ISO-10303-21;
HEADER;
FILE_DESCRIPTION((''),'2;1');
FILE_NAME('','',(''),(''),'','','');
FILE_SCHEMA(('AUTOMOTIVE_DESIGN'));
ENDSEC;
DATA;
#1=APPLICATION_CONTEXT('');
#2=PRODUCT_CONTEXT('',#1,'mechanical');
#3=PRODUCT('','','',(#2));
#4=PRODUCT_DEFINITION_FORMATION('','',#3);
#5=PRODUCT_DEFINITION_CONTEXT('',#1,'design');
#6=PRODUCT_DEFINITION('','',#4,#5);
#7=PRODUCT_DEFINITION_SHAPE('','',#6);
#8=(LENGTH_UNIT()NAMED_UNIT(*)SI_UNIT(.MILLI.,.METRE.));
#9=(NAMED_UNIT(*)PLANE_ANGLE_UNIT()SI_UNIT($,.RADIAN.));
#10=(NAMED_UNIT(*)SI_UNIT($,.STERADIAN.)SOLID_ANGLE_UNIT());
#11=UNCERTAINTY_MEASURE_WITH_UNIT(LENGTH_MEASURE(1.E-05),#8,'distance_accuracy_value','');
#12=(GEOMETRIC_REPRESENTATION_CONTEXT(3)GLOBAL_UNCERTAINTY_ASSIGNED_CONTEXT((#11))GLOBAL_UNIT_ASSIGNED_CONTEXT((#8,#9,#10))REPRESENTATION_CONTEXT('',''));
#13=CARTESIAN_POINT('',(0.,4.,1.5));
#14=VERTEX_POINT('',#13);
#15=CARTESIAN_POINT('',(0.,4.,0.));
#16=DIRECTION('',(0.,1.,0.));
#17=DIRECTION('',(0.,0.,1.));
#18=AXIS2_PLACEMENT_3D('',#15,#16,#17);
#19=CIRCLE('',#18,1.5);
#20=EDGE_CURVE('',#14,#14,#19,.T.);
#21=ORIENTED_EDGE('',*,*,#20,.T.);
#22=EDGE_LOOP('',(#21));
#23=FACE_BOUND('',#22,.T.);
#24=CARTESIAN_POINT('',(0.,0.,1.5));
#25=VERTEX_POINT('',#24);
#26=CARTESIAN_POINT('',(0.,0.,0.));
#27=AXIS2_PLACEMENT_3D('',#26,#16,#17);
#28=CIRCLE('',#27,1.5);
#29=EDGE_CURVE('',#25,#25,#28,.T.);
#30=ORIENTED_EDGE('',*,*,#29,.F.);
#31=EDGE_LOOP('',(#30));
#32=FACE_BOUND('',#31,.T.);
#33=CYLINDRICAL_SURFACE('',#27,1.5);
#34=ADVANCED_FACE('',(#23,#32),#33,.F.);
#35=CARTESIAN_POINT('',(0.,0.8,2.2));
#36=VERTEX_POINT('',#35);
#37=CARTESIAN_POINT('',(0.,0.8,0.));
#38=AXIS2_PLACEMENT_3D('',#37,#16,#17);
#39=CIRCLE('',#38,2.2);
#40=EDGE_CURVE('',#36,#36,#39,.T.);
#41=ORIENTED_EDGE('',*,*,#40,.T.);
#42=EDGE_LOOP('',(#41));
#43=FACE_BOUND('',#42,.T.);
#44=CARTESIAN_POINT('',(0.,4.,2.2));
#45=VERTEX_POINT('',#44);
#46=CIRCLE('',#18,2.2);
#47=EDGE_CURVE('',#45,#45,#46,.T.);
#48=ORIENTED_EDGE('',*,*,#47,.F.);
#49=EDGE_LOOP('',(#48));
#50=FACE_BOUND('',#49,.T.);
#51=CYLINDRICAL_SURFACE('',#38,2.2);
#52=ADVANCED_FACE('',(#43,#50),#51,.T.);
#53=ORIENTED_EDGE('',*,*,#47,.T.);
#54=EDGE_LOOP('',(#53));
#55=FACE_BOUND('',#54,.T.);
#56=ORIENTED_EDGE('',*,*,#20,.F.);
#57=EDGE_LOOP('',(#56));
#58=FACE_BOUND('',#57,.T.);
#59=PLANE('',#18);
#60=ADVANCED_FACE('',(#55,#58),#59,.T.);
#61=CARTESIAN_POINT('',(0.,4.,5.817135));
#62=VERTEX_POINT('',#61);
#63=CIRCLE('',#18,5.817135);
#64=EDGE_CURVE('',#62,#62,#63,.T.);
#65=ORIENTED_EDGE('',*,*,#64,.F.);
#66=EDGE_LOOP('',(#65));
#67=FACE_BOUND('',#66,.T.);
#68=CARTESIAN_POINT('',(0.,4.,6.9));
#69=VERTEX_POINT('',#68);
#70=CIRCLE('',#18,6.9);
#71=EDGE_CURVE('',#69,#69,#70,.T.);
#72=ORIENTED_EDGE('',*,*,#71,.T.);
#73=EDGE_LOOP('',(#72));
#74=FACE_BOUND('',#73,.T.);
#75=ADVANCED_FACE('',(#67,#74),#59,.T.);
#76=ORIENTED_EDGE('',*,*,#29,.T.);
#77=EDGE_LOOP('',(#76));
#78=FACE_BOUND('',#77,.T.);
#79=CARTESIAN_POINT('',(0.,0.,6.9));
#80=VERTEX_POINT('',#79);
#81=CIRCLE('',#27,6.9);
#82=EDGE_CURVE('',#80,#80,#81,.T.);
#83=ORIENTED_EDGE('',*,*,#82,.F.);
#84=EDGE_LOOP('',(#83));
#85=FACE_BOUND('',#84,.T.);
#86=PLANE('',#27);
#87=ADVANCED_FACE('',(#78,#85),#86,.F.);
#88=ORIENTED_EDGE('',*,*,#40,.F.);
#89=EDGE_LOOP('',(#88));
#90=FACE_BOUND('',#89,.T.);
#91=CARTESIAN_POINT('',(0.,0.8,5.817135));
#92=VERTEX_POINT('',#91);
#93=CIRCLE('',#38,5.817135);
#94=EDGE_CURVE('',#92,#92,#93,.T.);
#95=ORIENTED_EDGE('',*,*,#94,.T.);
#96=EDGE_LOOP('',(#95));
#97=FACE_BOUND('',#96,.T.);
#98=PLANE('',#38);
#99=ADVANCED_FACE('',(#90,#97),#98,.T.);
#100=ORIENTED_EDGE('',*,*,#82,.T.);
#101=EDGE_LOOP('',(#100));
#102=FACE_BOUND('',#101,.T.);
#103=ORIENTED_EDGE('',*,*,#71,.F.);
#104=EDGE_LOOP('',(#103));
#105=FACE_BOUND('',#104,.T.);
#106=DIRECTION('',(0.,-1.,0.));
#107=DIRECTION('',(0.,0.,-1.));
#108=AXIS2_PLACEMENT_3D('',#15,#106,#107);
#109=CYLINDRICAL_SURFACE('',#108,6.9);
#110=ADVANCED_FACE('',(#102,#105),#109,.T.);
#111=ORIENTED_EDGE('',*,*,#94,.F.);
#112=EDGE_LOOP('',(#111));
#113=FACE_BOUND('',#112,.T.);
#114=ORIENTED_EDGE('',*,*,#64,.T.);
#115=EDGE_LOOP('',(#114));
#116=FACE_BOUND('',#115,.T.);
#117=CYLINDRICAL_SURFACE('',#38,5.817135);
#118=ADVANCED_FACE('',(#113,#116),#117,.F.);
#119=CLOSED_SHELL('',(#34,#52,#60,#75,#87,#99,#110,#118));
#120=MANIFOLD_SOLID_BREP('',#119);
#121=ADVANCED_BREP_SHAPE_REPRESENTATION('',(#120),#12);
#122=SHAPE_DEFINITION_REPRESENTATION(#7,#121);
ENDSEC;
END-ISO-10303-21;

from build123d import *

# Parameters (mm, degrees)
SKETCH_1_R          = 6.9
EXTRUDE_1_DEPTH     = 4
SKETCH_2_R          = 5.817135152
SKETCH_2_R_2        = 2.2
CUT_EXTRUDE_2_DEPTH = 3.2
SKETCH_3_R          = 1.5
CUT_EXTRUDE_3_DEPTH = 11.546089323


with BuildPart() as part:
    # Эскиз1 → Вытянуть1 (new body)
    with BuildSketch(Plane(origin=(0, 0, 0), x_dir=(1, 0, 0), z_dir=(0, 1, 0))):
        with Locations(Location((0, 0, 0), (0, 0, 270))):
            Circle(SKETCH_1_R)
    extrude(amount=EXTRUDE_1_DEPTH)

    # Эскиз2 → Вытянуть2 (cut)
    with BuildSketch(Plane(origin=(0, 4, 0), x_dir=(1, 0, 0), z_dir=(0, 1, 0))):
        with Locations(Location((0, 0, 0), (0, 0, 270))):
            Circle(SKETCH_2_R)
        with Locations(Location((0, 0, 0), (0, 0, 270))):
            Circle(SKETCH_2_R_2, mode=Mode.SUBTRACT)
    extrude(amount=-CUT_EXTRUDE_2_DEPTH, mode=Mode.SUBTRACT)

    # Эскиз3 → Вытянуть3 (cut, through all)
    with BuildSketch(Plane(origin=(0, 4, 0), x_dir=(1, 0, 0), z_dir=(0, 1, 0))):
        with Locations(Location((0, 0, 0), (0, 0, 270))):
            Circle(SKETCH_3_R)
    extrude(amount=-CUT_EXTRUDE_3_DEPTH, mode=Mode.SUBTRACT)


solid = part.part
